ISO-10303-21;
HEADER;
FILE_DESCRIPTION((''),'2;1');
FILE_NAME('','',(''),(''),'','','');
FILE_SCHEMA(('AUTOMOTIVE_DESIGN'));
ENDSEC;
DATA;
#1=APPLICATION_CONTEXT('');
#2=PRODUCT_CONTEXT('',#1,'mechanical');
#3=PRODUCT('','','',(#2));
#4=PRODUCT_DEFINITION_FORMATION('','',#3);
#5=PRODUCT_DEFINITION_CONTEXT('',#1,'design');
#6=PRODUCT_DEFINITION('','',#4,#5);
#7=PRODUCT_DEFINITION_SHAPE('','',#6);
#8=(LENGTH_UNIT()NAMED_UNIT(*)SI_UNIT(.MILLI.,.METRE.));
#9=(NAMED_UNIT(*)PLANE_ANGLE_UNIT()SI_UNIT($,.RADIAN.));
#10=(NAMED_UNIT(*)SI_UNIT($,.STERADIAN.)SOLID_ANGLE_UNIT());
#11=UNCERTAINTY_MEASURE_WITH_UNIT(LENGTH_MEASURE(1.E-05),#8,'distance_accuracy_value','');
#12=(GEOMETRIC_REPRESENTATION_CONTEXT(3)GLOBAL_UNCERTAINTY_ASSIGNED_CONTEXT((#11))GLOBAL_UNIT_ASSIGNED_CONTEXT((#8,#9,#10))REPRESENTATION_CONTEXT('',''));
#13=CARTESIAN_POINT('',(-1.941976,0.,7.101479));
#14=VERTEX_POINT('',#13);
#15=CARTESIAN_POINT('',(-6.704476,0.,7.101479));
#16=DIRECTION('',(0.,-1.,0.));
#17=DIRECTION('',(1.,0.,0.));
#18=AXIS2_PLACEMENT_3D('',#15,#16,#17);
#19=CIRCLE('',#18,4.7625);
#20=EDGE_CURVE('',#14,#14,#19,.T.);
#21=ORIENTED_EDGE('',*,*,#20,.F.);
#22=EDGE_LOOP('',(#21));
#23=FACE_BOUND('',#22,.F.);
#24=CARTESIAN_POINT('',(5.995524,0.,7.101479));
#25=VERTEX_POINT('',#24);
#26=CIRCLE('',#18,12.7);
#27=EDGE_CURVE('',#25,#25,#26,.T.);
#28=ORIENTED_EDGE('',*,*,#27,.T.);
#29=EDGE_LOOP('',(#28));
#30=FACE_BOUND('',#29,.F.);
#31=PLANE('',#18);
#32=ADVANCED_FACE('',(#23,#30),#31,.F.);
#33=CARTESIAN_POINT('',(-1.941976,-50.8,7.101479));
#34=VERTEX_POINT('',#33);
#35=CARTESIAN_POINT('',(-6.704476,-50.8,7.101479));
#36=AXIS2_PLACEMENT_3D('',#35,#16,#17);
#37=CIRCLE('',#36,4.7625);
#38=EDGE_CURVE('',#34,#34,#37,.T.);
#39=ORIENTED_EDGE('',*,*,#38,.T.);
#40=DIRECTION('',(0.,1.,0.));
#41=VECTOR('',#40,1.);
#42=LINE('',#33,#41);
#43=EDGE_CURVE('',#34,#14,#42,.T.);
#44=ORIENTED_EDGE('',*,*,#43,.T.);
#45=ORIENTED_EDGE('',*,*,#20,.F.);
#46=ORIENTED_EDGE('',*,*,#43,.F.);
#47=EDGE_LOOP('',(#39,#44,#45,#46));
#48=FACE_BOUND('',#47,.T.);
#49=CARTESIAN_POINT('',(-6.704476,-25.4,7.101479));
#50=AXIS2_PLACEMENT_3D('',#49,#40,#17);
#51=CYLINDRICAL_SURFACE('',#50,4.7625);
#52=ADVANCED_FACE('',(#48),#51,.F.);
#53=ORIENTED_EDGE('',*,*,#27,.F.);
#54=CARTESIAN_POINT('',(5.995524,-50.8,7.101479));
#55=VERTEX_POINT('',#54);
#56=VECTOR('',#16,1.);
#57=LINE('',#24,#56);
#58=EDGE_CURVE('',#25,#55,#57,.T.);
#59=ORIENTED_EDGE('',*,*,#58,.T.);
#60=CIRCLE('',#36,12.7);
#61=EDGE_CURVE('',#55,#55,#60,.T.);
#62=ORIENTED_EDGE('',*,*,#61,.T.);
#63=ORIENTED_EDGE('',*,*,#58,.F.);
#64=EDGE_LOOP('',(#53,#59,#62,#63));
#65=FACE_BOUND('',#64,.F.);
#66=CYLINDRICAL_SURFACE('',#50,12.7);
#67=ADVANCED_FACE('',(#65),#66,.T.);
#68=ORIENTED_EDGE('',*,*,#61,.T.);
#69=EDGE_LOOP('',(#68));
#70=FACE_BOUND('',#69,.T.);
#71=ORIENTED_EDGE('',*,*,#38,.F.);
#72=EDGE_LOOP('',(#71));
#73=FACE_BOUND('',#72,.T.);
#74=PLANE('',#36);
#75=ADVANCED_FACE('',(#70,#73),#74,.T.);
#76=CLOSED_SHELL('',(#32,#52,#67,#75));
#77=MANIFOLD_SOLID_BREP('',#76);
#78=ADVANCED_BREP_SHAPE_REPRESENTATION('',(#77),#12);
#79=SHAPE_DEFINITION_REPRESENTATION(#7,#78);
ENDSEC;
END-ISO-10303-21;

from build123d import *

# Parameters (mm, degrees)
F0_R        = 12.7
F0_R_2      = 4.7625
F1_DEPTH    = 25.4
F1_FACE_R   = 12.7
F1_FACE_R_2 = 4.7625
F2_DEPTH    = 25.4


with BuildPart() as f1:
    # F0 (on Front) → F1 (new body)
    with BuildSketch(Plane.XZ):
        with Locations((-6.704476, 7.101479)):
            Circle(F0_R)
        with Locations((-6.704476, 7.101479)):
            Circle(F0_R_2, mode=Mode.SUBTRACT)
    extrude(amount=F1_DEPTH)

    # F1_face (on face) → F2 (join)
    with BuildSketch(Plane(origin=(-6.704476, -25.4, 7.101479), x_dir=(1, 0, 0), z_dir=(0, -1, 0))):
        Circle(F1_FACE_R)
        Circle(F1_FACE_R_2, mode=Mode.SUBTRACT)
    extrude(amount=F2_DEPTH)


solid = f1.part
